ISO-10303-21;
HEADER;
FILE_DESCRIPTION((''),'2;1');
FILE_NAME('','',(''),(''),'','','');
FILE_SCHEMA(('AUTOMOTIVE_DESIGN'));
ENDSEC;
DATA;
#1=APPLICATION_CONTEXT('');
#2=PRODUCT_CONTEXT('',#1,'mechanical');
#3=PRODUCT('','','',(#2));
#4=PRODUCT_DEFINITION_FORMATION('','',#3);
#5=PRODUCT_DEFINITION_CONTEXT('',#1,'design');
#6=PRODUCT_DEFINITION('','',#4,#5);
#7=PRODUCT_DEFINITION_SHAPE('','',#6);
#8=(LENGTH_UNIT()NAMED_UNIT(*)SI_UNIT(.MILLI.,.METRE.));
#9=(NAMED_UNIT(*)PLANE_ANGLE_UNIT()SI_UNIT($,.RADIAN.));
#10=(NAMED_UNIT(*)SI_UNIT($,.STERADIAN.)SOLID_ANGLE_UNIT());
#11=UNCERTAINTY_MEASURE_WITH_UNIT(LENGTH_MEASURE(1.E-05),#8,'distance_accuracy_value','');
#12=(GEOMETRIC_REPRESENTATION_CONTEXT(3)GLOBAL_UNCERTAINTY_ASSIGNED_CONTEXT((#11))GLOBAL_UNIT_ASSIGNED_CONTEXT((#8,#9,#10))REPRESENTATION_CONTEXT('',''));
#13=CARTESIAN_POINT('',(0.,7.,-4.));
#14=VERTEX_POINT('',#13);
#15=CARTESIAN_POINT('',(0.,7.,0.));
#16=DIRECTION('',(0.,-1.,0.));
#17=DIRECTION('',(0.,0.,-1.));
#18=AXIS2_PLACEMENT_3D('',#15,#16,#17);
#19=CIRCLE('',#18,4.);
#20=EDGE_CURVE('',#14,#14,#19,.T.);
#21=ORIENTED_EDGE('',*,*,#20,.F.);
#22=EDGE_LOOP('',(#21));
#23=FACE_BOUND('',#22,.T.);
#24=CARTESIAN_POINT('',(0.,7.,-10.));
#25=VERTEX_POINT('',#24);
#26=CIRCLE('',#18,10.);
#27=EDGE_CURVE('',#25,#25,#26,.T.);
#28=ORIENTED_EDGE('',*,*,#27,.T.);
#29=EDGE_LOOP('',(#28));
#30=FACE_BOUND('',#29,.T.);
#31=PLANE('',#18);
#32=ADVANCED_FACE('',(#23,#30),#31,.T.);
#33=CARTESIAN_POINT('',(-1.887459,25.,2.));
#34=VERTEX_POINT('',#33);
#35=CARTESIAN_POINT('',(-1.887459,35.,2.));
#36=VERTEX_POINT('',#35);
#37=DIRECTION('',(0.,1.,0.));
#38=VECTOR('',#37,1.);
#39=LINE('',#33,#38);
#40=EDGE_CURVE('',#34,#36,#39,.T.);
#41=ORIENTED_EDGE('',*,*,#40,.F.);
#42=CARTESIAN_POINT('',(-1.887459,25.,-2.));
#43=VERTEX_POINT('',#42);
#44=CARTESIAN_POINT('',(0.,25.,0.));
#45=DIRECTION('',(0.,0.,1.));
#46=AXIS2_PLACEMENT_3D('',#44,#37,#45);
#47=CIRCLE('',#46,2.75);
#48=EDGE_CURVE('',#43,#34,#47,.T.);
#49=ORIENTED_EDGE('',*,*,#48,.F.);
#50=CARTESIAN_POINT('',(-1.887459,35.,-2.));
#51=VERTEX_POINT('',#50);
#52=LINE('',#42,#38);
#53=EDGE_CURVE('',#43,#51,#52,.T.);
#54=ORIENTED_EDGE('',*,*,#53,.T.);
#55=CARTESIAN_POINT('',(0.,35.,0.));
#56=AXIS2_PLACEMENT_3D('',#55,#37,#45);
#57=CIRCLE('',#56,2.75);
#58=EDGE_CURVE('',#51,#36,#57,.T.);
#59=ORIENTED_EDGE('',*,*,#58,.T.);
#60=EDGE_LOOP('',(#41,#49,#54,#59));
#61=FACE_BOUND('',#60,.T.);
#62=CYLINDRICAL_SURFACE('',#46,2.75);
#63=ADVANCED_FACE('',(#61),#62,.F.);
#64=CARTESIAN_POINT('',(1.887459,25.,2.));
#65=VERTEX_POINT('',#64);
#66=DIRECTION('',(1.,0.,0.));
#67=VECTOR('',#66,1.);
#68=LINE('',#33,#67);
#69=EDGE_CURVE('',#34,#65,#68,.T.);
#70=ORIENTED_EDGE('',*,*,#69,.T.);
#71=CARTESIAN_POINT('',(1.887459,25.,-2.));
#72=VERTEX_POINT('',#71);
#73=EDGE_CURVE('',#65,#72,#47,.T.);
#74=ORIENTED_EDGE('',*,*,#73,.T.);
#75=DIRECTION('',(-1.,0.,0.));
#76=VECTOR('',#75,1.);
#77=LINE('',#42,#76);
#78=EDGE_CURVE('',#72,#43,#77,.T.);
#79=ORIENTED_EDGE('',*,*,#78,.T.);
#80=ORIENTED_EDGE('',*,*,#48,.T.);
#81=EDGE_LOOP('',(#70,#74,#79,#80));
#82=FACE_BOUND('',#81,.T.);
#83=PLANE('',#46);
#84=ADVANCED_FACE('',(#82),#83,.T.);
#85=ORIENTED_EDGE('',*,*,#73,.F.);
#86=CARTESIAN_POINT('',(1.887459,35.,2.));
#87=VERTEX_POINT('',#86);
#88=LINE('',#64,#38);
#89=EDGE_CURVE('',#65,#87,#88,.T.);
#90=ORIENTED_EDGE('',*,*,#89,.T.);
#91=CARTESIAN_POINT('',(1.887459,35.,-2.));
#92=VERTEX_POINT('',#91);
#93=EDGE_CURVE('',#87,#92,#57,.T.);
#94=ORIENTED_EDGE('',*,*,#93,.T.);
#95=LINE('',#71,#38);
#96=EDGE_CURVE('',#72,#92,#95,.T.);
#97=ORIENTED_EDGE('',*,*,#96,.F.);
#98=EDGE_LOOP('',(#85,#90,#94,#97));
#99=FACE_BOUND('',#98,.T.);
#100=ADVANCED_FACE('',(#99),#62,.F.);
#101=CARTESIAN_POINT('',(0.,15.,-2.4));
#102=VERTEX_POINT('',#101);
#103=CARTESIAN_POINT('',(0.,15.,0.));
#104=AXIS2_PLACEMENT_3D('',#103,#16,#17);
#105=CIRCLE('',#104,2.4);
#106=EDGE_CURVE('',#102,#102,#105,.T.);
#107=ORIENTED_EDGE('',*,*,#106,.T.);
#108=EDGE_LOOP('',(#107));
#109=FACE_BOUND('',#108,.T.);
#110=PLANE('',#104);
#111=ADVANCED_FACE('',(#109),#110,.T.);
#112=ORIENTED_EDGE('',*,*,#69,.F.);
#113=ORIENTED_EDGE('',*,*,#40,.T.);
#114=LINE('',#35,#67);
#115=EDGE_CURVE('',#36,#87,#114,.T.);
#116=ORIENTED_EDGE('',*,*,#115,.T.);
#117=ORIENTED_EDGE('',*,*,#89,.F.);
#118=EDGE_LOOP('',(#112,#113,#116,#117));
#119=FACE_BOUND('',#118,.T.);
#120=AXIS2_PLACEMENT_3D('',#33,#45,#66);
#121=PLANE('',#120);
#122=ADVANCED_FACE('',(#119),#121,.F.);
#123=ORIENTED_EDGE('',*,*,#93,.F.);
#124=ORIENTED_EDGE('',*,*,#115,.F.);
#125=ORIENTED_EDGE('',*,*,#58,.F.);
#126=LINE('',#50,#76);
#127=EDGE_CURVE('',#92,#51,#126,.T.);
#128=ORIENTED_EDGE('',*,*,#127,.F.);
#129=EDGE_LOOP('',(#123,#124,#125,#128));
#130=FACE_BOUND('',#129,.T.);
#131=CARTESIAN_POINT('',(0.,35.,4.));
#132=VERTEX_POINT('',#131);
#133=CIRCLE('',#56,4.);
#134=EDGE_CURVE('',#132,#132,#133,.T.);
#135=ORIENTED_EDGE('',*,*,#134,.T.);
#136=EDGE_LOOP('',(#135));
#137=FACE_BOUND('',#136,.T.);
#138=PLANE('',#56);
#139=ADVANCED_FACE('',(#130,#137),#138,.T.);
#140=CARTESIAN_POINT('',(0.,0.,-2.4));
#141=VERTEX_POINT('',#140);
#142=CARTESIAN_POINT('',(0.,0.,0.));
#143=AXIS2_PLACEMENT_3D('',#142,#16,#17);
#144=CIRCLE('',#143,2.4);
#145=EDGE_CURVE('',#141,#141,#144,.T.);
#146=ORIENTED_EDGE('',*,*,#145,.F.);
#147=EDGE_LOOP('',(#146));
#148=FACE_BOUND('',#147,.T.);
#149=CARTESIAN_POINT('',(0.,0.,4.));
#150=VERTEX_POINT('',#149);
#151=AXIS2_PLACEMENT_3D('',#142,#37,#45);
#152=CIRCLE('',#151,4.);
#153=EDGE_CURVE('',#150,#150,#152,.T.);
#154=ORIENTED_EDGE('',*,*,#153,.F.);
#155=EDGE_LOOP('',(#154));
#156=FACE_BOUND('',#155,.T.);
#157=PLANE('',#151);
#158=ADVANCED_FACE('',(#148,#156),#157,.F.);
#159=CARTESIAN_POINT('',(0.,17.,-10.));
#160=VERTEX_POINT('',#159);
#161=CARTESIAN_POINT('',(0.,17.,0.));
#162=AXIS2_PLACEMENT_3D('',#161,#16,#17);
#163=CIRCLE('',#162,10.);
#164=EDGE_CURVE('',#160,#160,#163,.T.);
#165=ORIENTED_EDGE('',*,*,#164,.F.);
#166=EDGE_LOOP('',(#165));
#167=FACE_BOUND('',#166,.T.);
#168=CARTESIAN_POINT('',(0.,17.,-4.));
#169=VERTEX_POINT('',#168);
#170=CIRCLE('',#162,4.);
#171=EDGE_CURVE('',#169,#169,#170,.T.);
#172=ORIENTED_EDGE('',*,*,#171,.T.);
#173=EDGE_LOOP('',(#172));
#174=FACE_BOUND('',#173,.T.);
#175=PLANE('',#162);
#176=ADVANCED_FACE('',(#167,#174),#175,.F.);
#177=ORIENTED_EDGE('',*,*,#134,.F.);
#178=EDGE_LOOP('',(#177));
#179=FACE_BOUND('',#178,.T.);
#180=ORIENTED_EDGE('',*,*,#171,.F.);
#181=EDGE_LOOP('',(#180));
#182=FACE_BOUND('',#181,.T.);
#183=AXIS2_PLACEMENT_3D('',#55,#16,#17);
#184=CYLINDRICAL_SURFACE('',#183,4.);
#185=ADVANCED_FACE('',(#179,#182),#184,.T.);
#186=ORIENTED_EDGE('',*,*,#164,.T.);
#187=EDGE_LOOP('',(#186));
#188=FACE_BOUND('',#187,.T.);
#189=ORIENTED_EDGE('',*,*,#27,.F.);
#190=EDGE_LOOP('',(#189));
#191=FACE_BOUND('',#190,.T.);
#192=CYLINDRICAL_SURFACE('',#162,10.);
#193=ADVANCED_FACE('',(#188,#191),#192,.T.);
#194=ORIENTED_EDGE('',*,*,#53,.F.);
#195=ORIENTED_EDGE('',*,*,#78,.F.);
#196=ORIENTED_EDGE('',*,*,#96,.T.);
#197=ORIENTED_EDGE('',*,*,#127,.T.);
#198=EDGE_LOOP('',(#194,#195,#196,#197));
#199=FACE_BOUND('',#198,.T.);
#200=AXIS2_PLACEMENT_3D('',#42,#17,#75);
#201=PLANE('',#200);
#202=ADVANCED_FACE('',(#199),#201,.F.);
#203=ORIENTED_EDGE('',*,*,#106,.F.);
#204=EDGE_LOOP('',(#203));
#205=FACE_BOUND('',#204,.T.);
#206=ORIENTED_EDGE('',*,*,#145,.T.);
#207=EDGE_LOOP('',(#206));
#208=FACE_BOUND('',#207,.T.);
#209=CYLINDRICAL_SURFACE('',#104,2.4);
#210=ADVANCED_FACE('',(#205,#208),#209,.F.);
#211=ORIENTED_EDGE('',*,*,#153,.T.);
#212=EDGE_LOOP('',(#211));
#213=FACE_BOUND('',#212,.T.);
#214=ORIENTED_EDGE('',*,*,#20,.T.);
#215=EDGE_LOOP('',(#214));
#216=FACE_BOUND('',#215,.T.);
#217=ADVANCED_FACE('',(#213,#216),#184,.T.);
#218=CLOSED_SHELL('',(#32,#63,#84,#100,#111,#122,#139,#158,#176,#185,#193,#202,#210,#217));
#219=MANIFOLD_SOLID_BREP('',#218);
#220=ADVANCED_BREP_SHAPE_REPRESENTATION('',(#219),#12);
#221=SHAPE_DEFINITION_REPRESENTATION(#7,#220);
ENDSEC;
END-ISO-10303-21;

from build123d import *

# Parameters (mm, degrees)
SKETCH1_R           = 4
BOSS_EXTRUDE1_DEPTH = 35
CUT_EXTRUDE1_DEPTH  = 10
SKETCH3_R           = 2.4
CUT_EXTRUDE2_DEPTH  = 15
BOSS_EXTRUDE2_START = -7
SKETCH4_R           = 10
SKETCH4_R_2         = 4
BOSS_EXTRUDE2_DEPTH = 10


with BuildPart() as part:
    # Sketch1 → Boss-Extrude1 (new body)
    with BuildSketch(Plane(origin=(0, 0, 0), x_dir=(1, 0, 0), z_dir=(0, 1, 0))):
        with Locations(Location((0, 0, 0), (0, 0, 270))):
            Circle(SKETCH1_R)
    extrude(amount=BOSS_EXTRUDE1_DEPTH)

    # Sketch2 → Cut-Extrude1 (cut)
    with BuildSketch(Plane(origin=(0, 35, 0), x_dir=(1, 0, 0), z_dir=(0, 1, 0))):
        with BuildLine():
            Line((-1.887458609, 2), (1.887458609, 2))
            ThreePointArc((1.887458609, 2), (2.75, 0), (1.887458609, -2))
            Line((1.887458609, -2), (-1.887458609, -2))
            ThreePointArc((-1.887458609, -2), (-2.75, 0), (-1.887458609, 2))
        make_face()
    extrude(amount=-CUT_EXTRUDE1_DEPTH, mode=Mode.SUBTRACT)

    # Sketch3 → Cut-Extrude2 (cut)
    with BuildSketch(Plane(origin=(0, 0, 0), x_dir=(-1, 0, 0), z_dir=(0, -1, 0))):
        with Locations(Location((0, 0, 0), (0, 0, 90))):
            Circle(SKETCH3_R)
    extrude(amount=-CUT_EXTRUDE2_DEPTH, mode=Mode.SUBTRACT)

    # Sketch4 → Boss-Extrude2 (add)
    with BuildSketch(Plane.XZ.offset(BOSS_EXTRUDE2_START)):
        with Locations(Location((0, 0, 0), (0, 0, 270))):
            Circle(SKETCH4_R)
        with Locations(Location((0, 0, 0), (0, 0, 270))):
            Circle(SKETCH4_R_2, mode=Mode.SUBTRACT)
    extrude(amount=-BOSS_EXTRUDE2_DEPTH)


solid = part.part
